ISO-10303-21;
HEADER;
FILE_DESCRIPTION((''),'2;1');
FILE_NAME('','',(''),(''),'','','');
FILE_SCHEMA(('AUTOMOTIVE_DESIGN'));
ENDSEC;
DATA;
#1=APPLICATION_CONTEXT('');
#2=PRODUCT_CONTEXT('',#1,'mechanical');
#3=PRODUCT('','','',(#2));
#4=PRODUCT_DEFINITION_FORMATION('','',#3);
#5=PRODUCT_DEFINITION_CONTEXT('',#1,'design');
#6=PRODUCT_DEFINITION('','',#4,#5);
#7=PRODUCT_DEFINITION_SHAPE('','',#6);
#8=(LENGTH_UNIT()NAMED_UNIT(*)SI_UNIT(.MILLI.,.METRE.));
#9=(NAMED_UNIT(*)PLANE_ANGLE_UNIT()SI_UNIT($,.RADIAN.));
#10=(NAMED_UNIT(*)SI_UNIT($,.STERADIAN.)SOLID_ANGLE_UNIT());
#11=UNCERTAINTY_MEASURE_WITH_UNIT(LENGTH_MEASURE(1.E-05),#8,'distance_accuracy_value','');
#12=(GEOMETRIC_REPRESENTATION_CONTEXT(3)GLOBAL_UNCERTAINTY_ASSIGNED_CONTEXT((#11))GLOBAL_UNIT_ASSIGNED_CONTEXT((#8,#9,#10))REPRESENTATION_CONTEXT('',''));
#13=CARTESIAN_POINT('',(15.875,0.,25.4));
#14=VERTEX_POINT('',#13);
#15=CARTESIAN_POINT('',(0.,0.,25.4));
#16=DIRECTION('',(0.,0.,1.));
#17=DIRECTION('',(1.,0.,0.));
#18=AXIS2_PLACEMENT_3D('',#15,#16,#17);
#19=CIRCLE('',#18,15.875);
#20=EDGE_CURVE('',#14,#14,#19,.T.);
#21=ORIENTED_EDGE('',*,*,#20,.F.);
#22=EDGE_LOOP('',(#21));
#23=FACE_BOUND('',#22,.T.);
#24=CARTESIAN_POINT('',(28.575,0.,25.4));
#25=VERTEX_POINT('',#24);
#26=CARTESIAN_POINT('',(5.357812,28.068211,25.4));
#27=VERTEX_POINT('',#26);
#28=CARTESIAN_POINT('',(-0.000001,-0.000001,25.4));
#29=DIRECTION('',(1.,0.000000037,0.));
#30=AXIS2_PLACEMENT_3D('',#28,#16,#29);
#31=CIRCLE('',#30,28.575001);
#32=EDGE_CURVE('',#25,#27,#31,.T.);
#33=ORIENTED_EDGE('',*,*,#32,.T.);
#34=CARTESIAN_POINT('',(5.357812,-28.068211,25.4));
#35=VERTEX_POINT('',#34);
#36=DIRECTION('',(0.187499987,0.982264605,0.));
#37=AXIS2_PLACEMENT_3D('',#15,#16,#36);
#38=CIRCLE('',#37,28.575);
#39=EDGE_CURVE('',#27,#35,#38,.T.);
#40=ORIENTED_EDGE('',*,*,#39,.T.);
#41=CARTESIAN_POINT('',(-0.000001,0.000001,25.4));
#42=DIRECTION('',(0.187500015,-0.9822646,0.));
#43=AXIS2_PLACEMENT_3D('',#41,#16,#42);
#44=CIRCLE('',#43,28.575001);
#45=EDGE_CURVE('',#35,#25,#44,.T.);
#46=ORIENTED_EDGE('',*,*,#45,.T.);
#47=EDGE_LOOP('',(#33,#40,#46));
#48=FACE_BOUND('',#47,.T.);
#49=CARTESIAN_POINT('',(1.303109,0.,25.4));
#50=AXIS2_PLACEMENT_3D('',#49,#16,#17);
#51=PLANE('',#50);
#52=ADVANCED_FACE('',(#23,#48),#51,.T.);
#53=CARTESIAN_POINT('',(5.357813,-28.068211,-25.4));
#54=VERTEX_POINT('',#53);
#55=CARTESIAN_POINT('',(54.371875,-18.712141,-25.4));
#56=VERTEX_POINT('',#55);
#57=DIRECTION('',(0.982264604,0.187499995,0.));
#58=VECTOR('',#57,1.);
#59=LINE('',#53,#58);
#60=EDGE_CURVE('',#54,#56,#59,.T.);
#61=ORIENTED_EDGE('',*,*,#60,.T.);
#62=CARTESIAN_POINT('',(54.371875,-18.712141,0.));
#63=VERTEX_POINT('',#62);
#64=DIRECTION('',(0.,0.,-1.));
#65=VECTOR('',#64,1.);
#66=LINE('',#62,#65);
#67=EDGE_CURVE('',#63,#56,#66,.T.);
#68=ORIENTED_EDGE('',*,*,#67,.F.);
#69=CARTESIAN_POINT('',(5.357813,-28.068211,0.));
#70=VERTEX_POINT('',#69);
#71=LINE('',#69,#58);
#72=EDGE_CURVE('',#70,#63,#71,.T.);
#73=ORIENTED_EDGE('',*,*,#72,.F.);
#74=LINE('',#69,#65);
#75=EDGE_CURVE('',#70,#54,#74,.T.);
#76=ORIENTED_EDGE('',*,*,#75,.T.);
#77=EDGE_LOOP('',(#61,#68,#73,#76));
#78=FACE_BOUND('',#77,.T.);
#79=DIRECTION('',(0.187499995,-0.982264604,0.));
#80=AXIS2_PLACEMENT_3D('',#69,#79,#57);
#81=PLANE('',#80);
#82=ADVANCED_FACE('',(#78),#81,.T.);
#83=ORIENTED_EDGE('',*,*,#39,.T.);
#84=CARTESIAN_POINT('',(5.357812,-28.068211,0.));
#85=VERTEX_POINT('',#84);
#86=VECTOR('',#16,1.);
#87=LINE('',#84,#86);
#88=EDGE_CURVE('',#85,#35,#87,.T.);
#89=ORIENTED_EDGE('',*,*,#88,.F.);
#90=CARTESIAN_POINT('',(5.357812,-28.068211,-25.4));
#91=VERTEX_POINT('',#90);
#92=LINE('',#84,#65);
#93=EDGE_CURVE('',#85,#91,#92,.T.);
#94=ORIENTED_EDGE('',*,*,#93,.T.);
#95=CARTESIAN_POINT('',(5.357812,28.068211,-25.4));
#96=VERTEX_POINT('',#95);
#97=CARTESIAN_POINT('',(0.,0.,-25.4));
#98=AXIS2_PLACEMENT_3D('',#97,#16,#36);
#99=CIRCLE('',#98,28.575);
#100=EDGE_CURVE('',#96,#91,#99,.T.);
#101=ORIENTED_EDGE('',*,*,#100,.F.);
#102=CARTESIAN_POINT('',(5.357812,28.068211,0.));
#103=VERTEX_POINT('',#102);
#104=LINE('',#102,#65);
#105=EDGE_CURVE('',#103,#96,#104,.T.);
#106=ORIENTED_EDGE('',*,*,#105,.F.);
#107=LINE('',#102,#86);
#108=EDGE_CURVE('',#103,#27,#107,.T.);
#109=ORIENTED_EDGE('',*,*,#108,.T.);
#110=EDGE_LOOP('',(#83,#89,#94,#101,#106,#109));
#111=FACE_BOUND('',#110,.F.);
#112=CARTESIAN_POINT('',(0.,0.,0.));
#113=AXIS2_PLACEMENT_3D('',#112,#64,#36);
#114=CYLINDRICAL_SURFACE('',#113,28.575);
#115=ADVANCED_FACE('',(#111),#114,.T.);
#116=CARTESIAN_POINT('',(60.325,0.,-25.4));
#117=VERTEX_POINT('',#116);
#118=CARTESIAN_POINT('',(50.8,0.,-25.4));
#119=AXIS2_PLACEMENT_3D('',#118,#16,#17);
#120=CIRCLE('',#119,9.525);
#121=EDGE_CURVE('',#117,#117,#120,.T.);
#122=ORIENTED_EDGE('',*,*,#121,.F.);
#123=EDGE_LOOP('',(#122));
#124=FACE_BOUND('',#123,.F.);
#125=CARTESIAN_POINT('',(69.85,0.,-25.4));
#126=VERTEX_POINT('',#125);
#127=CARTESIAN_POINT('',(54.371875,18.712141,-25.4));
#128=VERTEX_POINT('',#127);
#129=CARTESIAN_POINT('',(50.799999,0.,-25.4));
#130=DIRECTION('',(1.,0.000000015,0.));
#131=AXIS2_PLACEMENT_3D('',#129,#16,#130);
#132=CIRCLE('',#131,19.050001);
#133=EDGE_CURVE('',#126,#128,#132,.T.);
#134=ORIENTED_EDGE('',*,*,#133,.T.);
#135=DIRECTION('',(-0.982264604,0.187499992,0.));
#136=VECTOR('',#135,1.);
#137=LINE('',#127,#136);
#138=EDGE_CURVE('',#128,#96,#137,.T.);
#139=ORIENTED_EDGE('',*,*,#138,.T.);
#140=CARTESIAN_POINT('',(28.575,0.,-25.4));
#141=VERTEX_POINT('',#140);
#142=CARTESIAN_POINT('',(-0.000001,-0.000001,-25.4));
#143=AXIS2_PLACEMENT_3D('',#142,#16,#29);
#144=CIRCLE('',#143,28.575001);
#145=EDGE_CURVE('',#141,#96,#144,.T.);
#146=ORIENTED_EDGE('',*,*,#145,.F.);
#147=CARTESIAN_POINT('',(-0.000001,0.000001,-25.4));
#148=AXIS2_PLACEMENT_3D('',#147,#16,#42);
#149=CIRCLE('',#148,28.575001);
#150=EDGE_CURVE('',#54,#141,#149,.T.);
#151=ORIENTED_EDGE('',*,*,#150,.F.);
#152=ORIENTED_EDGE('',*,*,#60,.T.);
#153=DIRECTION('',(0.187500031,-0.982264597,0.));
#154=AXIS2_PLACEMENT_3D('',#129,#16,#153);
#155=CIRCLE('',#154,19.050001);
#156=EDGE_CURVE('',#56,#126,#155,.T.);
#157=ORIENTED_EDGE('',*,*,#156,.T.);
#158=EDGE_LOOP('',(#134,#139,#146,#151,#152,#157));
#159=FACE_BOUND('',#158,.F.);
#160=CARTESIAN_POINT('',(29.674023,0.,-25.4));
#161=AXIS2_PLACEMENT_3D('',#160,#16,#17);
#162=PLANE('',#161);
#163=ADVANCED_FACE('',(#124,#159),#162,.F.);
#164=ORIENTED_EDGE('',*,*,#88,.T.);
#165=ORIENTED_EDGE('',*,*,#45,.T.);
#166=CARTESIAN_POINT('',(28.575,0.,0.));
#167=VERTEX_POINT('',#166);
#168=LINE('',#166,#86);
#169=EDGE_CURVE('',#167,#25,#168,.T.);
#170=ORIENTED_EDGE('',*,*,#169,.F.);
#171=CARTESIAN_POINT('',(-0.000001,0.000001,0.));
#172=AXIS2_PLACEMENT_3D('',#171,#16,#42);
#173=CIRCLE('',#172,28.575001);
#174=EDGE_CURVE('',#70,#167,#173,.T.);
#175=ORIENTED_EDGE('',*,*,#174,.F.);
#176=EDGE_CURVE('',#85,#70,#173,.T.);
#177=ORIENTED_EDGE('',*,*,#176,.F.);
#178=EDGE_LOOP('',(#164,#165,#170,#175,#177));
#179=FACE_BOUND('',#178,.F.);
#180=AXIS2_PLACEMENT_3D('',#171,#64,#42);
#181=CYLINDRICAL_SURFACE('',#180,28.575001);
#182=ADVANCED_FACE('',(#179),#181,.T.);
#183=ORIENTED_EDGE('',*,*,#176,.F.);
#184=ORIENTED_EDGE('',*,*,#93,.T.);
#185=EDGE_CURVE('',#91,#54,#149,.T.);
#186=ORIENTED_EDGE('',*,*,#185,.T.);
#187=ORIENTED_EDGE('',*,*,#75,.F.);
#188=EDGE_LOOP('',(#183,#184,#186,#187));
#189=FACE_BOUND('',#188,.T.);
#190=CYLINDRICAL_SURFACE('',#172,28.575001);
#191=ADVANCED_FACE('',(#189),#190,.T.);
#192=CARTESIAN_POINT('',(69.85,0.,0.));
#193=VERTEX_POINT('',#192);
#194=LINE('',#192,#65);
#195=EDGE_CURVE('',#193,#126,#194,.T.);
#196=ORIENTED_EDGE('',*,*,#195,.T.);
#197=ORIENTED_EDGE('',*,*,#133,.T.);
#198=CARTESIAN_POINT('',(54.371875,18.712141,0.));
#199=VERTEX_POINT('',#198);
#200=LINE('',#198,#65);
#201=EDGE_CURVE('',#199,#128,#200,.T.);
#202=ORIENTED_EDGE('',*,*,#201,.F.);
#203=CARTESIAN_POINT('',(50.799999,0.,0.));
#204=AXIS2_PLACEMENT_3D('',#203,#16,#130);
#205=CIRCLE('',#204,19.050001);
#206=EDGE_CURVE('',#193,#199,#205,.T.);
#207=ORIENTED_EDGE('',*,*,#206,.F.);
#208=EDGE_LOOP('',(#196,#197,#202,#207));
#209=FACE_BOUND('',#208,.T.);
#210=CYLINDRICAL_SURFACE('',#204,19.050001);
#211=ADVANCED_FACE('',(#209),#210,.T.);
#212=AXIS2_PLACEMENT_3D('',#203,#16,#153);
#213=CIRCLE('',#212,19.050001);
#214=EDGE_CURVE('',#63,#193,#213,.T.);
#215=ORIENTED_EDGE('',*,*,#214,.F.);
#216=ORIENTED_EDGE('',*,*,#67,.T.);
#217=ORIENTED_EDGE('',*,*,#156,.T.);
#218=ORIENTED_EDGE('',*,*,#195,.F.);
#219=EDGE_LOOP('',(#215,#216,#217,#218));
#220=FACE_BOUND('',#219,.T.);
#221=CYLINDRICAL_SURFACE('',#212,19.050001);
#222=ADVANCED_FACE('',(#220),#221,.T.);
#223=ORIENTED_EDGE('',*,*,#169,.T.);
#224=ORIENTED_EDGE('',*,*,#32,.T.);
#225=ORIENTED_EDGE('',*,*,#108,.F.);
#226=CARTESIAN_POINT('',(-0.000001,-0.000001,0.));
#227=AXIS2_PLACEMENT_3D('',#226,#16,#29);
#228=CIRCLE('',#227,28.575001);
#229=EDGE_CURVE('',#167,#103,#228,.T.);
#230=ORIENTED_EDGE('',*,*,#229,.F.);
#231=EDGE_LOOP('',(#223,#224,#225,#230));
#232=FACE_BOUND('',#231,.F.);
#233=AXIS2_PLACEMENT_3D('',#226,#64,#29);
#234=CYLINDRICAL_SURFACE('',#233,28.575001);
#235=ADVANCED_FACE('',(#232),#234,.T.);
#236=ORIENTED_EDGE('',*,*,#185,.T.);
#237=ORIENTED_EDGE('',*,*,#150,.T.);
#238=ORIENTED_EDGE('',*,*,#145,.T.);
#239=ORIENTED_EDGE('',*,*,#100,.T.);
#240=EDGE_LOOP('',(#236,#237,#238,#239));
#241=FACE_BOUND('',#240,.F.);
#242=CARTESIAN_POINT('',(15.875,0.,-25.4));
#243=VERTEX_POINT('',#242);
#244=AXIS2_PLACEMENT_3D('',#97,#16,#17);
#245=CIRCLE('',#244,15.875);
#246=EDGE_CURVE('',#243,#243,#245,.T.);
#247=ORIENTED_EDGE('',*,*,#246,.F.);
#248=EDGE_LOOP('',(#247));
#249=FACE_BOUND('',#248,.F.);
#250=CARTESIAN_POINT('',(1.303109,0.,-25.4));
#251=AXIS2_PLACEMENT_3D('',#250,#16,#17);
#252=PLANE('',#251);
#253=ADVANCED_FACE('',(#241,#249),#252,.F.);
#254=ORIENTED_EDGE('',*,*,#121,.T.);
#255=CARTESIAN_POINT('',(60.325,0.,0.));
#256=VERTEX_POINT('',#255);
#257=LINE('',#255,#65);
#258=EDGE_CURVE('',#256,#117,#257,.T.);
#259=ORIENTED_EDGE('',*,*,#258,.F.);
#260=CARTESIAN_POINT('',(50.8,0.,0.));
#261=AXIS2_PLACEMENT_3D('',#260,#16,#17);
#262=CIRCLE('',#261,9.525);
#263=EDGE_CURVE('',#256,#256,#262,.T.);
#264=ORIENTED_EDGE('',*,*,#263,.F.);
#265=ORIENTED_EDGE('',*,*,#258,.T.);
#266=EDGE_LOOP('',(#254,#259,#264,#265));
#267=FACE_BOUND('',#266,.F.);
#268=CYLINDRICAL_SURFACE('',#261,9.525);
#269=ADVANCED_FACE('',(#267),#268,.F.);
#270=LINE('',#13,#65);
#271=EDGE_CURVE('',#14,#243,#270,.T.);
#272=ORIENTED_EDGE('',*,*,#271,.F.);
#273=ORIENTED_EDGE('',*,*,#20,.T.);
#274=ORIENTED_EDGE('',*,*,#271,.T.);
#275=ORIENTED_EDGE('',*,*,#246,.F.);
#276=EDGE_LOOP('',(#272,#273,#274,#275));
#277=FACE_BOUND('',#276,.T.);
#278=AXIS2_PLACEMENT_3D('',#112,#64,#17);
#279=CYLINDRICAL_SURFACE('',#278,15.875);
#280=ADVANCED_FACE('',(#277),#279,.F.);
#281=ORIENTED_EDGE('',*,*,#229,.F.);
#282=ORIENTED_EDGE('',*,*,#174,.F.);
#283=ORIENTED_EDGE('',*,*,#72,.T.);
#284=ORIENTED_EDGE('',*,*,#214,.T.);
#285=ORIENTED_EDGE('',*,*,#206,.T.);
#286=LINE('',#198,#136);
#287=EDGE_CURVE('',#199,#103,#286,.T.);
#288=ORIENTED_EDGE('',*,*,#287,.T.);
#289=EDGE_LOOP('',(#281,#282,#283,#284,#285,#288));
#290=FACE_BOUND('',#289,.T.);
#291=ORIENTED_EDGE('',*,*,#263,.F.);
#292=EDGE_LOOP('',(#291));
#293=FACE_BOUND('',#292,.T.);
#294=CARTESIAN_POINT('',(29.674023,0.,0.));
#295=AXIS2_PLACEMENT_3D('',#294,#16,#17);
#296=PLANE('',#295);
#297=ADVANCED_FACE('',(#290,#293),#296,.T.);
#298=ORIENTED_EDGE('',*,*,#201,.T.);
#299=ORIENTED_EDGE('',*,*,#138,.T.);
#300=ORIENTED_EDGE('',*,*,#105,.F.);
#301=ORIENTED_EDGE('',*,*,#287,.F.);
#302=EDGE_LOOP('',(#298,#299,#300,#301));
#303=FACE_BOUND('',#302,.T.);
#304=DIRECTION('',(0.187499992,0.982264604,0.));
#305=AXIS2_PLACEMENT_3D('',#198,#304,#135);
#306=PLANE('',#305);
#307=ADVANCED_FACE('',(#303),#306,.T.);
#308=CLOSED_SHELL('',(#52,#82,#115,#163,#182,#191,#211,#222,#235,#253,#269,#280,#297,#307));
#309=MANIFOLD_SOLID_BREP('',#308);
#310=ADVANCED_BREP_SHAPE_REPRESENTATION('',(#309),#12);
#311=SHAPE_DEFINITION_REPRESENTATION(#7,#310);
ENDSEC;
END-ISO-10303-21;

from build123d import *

# Parameters (mm, degrees)
F0_R     = 15.875
F0_R_2   = 9.525
F1_DEPTH = 25.4
F2_DEPTH = 25.4


with BuildPart() as f1:
    # F0 (on Top) → F1 (new body)
    with BuildSketch(Plane.XY):
        with BuildLine():
            ThreePointArc((5.357812, -28.068211), (22.018516, -18.21306), (28.575, 0))
            ThreePointArc((28.575, 0), (22.018516, 18.21306), (5.357812, 28.068211))
            ThreePointArc((5.357812, 28.068211), (-28.575, 0), (5.357812, -28.068211))
        make_face()
        Circle(F0_R, mode=Mode.SUBTRACT)
        with BuildLine():
            ThreePointArc((69.85, 0), (65.479011, 12.14204), (54.371875, 18.712141))
            ThreePointArc((54.371875, 18.712141), (31.75, 0), (54.371875, -18.712141))
            ThreePointArc((54.371875, -18.712141), (65.479011, -12.14204), (69.85, 0))
        make_face()
        with Locations((50.8, 0)):
            Circle(F0_R_2, mode=Mode.SUBTRACT)
        with BuildLine():
            ThreePointArc((5.357812, 28.068211), (22.018516, 18.21306), (28.575, 0))
            ThreePointArc((28.575, 0), (22.018516, -18.21306), (5.357812, -28.068211))
            Line((5.357813, -28.068211), (54.371875, -18.712141))
            ThreePointArc((54.371875, -18.712141), (31.75, 0), (54.371875, 18.712141))
            Line((54.371875, 18.712141), (5.357812, 28.068211))
        make_face()
    extrude(amount=-F1_DEPTH)

    # F0 (on Top) → F2 (join)
    with BuildSketch(Plane.XY):
        with BuildLine():
            ThreePointArc((5.357812, -28.068211), (22.018516, -18.21306), (28.575, 0))
            ThreePointArc((28.575, 0), (22.018516, 18.21306), (5.357812, 28.068211))
            ThreePointArc((5.357812, 28.068211), (-28.575, 0), (5.357812, -28.068211))
        make_face()
        Circle(F0_R, mode=Mode.SUBTRACT)
    extrude(amount=F2_DEPTH)


solid = f1.part
